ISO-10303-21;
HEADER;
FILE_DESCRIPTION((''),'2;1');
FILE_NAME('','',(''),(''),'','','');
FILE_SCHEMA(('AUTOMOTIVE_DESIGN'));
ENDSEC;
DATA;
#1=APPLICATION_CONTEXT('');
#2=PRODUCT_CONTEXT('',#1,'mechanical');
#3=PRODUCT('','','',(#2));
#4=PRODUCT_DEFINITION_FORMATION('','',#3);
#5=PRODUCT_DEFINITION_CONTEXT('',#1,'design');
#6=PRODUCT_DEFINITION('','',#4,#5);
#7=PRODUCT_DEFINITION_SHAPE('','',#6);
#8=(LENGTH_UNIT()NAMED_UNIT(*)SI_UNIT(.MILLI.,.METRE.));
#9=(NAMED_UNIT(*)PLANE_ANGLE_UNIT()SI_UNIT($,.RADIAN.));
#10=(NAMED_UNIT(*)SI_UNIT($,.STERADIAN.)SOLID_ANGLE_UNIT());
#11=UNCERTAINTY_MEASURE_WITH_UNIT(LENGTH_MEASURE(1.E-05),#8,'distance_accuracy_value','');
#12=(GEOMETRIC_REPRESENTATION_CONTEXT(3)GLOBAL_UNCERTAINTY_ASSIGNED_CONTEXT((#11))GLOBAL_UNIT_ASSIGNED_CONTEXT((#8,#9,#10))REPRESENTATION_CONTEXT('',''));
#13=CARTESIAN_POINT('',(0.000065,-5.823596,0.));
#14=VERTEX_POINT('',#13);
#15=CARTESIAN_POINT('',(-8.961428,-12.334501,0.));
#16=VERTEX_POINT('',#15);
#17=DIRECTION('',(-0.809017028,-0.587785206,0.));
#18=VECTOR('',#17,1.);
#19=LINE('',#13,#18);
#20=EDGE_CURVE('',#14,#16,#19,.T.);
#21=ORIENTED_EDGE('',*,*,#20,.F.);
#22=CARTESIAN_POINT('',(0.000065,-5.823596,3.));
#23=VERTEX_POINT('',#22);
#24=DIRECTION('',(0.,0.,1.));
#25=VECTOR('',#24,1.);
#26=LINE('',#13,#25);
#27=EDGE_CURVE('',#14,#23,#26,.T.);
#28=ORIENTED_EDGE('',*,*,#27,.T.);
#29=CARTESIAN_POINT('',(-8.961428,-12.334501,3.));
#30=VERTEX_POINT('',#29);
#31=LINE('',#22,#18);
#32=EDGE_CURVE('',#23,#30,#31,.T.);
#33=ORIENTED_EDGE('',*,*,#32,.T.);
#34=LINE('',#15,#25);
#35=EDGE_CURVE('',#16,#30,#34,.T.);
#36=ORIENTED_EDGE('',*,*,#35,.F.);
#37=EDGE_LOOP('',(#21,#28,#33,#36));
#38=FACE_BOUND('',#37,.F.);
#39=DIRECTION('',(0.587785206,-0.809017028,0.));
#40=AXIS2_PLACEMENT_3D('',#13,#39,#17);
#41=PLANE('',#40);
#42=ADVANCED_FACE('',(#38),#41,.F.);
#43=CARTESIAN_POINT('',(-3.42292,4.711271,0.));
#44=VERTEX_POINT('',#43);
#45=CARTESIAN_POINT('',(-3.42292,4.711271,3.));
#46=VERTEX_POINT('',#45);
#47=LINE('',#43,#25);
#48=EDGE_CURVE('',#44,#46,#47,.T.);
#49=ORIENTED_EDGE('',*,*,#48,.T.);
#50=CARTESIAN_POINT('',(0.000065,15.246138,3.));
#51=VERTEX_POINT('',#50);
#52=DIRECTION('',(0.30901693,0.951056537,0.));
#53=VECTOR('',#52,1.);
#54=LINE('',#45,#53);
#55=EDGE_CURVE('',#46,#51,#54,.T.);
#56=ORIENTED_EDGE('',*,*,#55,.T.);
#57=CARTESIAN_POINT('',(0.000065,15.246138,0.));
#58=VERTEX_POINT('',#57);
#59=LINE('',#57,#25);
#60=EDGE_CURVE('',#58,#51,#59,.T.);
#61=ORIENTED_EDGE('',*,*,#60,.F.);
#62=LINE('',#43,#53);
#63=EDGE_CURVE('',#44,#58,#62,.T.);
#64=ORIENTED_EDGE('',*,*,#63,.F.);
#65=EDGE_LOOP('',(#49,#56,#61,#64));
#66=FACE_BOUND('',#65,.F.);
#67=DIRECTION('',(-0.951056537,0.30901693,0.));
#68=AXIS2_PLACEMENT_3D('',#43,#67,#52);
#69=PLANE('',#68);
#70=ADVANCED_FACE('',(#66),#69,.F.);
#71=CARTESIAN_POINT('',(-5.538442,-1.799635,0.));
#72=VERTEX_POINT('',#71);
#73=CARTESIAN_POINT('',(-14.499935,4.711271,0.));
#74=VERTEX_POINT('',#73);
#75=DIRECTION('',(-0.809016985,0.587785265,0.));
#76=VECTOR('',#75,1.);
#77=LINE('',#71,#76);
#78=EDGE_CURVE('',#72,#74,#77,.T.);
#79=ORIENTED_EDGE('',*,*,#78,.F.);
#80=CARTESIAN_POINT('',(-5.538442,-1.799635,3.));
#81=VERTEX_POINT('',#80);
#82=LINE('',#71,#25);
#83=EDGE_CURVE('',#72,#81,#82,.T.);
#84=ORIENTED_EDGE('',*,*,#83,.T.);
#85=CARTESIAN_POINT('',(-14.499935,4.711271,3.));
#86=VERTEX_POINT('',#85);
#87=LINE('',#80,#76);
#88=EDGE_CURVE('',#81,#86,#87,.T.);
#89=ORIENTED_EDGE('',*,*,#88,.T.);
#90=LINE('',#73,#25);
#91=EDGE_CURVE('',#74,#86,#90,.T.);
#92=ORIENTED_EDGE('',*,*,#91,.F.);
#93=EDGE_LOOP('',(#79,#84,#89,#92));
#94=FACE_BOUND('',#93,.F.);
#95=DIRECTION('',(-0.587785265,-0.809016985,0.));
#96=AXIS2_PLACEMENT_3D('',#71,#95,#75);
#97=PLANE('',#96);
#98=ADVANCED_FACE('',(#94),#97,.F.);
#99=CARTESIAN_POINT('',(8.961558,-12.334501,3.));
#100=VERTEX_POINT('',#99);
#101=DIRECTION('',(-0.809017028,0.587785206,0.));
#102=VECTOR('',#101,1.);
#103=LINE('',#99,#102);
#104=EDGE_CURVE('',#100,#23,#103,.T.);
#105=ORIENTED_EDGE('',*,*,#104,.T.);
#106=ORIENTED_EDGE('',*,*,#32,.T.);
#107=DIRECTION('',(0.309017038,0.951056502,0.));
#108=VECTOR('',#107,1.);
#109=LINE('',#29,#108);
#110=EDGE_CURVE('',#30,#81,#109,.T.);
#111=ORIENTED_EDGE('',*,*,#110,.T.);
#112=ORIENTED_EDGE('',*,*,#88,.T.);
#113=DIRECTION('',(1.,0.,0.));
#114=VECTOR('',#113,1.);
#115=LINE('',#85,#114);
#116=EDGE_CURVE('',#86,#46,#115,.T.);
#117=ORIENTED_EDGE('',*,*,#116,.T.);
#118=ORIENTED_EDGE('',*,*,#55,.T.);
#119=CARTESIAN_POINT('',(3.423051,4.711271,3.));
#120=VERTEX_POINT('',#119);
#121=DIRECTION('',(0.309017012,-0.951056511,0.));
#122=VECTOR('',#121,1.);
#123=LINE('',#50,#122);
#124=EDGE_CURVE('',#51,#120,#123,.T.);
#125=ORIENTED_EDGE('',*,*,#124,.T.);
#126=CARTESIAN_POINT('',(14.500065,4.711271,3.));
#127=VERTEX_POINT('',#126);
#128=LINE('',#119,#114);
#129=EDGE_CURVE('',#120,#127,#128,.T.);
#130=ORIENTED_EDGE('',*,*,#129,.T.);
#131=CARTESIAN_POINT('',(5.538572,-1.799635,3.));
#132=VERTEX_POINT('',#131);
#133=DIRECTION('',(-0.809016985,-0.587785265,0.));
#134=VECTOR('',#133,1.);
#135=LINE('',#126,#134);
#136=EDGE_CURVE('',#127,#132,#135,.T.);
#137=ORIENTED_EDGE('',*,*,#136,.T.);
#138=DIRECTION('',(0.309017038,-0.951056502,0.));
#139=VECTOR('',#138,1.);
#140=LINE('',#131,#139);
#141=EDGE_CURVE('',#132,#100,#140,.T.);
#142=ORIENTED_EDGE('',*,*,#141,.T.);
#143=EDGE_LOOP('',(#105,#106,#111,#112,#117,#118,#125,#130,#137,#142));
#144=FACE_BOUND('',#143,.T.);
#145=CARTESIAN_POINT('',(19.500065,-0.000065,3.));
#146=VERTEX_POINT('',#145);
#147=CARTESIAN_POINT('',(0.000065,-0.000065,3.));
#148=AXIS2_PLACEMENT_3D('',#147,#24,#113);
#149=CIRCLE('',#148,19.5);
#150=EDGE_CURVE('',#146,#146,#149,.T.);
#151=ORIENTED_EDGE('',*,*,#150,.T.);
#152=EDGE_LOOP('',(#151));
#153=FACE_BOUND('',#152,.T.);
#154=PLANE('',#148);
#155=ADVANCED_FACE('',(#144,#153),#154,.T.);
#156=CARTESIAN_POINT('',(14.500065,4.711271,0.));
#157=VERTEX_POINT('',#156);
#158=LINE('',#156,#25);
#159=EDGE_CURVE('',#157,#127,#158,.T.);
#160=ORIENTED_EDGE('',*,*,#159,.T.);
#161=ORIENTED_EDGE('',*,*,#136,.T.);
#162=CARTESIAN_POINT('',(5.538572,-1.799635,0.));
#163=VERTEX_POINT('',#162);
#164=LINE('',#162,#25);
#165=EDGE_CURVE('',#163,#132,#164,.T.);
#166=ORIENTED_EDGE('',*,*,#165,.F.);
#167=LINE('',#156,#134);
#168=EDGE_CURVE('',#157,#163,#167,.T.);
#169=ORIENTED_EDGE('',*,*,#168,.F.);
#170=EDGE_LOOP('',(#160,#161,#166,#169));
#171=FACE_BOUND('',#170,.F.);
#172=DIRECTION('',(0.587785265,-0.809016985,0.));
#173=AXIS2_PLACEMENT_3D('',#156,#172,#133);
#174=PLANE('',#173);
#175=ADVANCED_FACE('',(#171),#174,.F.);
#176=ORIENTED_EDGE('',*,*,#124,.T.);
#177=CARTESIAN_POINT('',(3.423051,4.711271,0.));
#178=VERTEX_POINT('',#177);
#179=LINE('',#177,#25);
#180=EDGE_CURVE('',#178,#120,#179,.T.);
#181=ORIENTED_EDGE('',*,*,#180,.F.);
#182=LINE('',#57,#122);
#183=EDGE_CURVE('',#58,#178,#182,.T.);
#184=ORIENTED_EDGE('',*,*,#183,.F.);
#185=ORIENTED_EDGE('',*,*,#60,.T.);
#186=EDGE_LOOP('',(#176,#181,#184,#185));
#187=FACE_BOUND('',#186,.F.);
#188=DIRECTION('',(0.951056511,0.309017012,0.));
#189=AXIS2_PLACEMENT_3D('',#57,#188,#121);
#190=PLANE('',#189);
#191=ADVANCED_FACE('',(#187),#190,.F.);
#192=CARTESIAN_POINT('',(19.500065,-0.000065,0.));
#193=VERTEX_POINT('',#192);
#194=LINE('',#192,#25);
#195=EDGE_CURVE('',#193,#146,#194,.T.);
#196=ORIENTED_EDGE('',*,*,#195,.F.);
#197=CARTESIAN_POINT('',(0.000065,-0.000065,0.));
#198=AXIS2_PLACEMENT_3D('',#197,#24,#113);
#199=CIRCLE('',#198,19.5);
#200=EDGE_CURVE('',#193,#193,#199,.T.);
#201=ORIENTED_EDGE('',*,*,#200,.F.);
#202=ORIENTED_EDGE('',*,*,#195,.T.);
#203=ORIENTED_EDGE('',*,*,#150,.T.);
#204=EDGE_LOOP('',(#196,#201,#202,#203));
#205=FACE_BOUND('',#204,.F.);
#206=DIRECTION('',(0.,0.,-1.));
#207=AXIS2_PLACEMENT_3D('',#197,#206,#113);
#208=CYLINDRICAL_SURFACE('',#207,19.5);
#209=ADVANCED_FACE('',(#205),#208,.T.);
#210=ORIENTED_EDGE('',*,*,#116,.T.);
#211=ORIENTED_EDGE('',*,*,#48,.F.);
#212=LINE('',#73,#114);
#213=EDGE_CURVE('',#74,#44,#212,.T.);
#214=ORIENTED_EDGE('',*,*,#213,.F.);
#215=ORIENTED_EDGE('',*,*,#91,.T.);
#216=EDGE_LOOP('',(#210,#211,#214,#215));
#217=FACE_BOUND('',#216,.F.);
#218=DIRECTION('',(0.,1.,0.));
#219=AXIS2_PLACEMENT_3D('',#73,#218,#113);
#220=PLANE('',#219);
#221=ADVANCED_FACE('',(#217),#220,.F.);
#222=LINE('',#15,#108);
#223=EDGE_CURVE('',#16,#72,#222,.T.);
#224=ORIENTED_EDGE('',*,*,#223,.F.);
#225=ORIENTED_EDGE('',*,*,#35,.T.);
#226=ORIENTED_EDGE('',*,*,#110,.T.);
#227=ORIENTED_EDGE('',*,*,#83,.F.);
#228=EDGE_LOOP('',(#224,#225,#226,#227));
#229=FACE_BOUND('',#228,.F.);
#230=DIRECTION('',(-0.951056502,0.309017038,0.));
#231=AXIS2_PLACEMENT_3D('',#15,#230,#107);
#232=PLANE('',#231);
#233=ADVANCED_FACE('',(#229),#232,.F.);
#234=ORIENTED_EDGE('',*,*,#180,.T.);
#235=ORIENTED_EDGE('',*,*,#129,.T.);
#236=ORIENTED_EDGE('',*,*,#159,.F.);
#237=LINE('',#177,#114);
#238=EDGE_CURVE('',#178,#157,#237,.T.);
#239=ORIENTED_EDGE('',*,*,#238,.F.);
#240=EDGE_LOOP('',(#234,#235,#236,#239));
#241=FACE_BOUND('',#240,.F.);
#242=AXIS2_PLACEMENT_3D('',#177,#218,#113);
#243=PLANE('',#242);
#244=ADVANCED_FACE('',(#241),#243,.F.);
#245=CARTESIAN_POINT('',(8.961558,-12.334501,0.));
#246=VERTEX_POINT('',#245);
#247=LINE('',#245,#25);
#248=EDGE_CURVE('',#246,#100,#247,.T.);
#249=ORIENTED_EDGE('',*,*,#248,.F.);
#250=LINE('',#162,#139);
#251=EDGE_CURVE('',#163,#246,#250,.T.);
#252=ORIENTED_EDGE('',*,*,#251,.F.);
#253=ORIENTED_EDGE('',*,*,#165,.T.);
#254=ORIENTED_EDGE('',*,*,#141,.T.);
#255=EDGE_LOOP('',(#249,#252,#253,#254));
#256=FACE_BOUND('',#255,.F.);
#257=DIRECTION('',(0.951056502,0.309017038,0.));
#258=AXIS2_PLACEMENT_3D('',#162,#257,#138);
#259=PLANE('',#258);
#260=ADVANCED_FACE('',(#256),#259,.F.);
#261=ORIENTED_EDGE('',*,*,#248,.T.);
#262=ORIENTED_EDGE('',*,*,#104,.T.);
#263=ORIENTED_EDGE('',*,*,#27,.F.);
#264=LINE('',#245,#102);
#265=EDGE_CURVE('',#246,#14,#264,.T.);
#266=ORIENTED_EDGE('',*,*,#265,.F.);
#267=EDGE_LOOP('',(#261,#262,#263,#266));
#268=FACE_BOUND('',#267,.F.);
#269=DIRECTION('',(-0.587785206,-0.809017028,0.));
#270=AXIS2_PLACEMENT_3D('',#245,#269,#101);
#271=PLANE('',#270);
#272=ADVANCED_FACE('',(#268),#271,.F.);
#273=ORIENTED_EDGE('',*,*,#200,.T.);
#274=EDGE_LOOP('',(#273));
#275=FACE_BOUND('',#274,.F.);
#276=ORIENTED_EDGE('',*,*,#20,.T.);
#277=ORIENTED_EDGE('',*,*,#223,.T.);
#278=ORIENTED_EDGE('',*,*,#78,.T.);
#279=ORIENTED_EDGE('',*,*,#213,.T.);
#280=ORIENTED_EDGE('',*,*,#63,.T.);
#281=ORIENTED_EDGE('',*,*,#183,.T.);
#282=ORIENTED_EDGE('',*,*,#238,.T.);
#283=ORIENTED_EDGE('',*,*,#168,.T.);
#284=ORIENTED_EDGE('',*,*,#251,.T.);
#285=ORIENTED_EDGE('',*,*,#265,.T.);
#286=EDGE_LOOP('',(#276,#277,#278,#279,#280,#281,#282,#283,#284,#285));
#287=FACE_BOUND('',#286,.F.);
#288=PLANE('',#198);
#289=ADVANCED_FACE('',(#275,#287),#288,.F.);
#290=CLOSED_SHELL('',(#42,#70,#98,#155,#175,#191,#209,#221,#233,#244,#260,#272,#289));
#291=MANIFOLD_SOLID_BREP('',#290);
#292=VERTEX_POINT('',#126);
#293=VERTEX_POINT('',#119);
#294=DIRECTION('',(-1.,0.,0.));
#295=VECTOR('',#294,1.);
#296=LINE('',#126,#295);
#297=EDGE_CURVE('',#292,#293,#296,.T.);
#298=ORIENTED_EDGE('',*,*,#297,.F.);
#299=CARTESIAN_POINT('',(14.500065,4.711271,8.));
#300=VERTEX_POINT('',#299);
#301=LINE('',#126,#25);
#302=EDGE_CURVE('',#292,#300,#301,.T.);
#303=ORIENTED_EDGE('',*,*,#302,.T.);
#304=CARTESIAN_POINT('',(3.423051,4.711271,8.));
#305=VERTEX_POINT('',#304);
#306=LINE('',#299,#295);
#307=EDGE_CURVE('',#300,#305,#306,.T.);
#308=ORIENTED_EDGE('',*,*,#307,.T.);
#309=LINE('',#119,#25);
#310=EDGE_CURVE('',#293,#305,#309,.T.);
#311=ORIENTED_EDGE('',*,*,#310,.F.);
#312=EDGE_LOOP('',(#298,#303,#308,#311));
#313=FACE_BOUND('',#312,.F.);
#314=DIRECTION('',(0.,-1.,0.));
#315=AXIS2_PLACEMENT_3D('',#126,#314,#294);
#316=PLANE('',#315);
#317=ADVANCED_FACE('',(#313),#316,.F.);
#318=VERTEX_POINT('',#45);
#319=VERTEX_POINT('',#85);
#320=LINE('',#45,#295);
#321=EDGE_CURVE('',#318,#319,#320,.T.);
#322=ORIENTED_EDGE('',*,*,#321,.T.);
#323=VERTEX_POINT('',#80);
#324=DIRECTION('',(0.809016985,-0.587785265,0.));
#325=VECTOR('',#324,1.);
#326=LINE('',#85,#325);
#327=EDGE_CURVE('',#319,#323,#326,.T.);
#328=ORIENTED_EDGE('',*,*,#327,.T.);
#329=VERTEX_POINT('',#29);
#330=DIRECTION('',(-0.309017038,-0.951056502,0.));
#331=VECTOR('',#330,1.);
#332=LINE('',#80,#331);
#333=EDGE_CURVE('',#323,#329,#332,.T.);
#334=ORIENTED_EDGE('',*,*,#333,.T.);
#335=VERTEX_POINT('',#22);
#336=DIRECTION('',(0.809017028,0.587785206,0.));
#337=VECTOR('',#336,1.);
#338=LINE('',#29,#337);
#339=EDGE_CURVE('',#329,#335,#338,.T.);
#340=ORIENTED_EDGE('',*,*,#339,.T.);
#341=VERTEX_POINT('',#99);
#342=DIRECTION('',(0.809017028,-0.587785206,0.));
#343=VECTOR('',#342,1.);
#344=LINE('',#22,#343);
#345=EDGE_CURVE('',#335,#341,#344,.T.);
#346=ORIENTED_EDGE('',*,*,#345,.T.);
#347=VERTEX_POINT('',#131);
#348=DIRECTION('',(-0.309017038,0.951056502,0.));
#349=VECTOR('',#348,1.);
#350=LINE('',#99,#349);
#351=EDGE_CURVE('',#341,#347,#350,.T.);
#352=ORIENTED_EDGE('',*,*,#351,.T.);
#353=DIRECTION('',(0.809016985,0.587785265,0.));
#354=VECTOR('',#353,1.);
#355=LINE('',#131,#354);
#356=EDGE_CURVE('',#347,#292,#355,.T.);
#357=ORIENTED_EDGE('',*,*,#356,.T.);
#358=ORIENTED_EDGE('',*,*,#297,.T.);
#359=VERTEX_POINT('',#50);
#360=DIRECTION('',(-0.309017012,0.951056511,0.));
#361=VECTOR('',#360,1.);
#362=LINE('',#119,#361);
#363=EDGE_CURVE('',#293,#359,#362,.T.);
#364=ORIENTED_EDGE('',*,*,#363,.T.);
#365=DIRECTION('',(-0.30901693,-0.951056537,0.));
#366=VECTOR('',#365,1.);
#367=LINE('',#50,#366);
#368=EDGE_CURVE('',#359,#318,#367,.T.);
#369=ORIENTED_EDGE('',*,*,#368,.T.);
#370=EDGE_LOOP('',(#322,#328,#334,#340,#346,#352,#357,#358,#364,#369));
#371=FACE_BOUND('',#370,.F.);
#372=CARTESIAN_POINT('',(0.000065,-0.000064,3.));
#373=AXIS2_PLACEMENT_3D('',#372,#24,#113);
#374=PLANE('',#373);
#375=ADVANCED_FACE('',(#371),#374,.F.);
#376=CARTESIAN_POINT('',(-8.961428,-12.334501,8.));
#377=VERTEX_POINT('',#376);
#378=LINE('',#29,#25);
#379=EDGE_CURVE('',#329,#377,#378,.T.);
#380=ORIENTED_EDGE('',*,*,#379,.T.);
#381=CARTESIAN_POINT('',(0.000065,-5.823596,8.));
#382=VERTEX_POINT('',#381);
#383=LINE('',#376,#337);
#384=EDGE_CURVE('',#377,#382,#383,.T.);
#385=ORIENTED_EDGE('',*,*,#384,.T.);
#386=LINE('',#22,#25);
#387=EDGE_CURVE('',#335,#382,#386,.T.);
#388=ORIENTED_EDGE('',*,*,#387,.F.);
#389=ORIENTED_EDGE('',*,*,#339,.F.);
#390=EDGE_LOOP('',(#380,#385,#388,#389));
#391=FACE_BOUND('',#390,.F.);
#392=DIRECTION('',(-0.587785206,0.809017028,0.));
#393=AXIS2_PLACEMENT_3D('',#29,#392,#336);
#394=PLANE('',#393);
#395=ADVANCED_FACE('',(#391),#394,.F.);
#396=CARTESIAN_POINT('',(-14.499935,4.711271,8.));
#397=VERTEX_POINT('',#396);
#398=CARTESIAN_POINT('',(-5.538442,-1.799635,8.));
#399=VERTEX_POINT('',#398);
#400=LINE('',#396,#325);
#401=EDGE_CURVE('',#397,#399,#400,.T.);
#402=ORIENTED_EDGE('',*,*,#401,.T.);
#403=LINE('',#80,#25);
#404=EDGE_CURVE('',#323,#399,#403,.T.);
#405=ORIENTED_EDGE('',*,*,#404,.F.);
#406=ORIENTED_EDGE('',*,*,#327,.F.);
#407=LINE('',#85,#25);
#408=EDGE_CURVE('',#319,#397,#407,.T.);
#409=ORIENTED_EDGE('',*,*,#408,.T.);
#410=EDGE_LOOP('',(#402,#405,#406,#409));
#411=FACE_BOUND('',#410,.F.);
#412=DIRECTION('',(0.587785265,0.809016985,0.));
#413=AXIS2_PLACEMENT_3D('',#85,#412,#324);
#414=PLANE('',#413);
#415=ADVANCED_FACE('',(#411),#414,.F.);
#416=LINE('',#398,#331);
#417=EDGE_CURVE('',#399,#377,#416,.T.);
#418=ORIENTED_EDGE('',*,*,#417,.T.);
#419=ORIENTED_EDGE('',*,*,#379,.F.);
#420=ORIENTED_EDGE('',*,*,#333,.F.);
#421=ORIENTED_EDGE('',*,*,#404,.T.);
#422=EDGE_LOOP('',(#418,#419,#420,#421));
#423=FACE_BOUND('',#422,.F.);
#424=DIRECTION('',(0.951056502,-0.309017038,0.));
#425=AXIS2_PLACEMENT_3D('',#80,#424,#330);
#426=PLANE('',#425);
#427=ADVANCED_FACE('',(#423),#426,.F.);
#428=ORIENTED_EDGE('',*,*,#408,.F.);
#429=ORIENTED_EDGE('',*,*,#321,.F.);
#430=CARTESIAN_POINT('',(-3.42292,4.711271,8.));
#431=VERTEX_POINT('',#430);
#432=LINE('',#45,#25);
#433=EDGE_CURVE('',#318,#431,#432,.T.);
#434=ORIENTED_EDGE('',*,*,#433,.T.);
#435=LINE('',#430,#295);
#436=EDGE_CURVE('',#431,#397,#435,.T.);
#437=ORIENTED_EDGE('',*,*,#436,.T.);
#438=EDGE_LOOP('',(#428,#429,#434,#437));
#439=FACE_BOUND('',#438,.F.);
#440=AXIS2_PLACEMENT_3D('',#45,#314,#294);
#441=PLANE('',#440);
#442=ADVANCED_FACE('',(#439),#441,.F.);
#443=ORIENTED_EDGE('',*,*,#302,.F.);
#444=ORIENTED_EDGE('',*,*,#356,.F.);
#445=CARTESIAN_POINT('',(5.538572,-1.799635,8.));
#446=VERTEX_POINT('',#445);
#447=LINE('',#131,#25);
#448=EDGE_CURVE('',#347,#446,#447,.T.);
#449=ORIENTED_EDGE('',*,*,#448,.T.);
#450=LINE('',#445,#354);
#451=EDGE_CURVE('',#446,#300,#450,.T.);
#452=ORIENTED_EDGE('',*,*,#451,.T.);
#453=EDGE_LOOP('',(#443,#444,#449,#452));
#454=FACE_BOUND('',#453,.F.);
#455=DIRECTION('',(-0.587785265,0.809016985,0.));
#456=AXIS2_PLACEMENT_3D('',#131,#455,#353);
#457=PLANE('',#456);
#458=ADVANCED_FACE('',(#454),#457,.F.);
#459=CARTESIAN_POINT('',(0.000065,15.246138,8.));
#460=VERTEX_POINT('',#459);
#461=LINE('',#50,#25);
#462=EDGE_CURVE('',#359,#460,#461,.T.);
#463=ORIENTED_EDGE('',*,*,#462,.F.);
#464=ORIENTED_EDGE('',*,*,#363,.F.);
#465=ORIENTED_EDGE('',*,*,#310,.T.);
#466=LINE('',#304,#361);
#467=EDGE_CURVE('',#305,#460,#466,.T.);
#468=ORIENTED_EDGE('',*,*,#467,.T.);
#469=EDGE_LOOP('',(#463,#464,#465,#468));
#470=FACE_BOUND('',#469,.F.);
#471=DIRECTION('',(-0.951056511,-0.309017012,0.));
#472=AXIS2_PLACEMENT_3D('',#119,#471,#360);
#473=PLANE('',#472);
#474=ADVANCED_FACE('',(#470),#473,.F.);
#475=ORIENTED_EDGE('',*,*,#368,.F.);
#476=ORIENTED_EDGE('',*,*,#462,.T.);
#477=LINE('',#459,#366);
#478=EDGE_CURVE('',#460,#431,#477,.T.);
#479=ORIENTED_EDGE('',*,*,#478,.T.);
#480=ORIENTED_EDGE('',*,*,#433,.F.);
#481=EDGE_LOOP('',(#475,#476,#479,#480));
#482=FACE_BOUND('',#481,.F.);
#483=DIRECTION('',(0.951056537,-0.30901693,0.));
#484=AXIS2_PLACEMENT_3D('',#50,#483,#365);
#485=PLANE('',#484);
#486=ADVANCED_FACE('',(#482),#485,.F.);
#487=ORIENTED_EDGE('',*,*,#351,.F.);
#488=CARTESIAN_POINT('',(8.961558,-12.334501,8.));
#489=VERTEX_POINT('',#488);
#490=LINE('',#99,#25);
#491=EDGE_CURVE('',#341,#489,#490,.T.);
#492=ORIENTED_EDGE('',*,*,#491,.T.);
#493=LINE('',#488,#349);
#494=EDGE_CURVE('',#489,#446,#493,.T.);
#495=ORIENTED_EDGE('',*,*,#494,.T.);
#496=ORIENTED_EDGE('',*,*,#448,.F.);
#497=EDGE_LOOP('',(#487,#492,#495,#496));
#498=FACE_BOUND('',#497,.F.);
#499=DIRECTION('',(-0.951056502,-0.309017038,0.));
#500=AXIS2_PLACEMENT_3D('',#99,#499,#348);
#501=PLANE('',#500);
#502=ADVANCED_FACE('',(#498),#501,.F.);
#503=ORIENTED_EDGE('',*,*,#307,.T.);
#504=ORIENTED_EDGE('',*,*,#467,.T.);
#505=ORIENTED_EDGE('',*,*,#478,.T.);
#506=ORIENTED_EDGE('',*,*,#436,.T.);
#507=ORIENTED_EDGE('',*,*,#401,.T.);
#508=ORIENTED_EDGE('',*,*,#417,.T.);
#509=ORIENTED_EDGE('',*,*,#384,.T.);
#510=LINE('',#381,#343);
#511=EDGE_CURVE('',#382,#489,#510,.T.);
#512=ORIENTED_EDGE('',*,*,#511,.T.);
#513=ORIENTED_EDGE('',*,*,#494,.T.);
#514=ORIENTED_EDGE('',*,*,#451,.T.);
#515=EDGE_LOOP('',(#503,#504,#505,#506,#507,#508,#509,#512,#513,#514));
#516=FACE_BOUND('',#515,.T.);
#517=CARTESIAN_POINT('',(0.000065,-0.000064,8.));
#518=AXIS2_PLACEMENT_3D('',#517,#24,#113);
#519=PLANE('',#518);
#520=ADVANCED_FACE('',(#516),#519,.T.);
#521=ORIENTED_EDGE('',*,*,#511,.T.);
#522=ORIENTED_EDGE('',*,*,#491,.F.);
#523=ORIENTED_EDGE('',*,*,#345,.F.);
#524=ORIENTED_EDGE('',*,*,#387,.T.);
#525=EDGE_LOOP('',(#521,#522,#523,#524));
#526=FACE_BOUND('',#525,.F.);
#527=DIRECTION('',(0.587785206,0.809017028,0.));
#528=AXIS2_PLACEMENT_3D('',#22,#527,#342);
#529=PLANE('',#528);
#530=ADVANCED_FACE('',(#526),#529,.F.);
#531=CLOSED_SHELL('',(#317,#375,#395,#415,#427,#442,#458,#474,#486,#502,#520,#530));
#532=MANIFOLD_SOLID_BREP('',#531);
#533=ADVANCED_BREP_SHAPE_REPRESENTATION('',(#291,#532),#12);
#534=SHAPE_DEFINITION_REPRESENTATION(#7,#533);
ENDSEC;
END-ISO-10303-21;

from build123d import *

# Parameters (mm, degrees)
F0_R     = 19.5
F1_DEPTH = 3
F3_DEPTH = 5


with BuildPart() as f1:
    # F0 (on Top) → F1 (new body)
    with BuildSketch(Plane.XY):
        with Locations((6.5e-05, -6.5e-05)):
            Circle(F0_R)
        Polygon((6.5e-05, -5.823596), (-8.961428, -12.334501), (-5.538442, -1.799635), (-14.499935, 4.711271), (-3.42292, 4.711271), (6.5e-05, 15.246138), (3.423051, 4.711271), (14.500065, 4.711271), (5.538572, -1.799635), (8.961558, -12.334501), align=None, mode=Mode.SUBTRACT)
    extrude(amount=F1_DEPTH)


with BuildPart() as f3:
    # F2 (on face) → F3 (new body)
    with BuildSketch(Plane.XY.offset(3)):
        Polygon((6.5e-05, 15.246138), (-3.42292, 4.711271), (-14.499935, 4.711271), (-5.538442, -1.799635), (-8.961428, -12.334501), (6.5e-05, -5.823596), (8.961558, -12.334501), (5.538572, -1.799635), (14.500065, 4.711271), (3.423051, 4.711271), align=None)
    extrude(amount=F3_DEPTH)


solid = Compound([f1.part, f3.part])
